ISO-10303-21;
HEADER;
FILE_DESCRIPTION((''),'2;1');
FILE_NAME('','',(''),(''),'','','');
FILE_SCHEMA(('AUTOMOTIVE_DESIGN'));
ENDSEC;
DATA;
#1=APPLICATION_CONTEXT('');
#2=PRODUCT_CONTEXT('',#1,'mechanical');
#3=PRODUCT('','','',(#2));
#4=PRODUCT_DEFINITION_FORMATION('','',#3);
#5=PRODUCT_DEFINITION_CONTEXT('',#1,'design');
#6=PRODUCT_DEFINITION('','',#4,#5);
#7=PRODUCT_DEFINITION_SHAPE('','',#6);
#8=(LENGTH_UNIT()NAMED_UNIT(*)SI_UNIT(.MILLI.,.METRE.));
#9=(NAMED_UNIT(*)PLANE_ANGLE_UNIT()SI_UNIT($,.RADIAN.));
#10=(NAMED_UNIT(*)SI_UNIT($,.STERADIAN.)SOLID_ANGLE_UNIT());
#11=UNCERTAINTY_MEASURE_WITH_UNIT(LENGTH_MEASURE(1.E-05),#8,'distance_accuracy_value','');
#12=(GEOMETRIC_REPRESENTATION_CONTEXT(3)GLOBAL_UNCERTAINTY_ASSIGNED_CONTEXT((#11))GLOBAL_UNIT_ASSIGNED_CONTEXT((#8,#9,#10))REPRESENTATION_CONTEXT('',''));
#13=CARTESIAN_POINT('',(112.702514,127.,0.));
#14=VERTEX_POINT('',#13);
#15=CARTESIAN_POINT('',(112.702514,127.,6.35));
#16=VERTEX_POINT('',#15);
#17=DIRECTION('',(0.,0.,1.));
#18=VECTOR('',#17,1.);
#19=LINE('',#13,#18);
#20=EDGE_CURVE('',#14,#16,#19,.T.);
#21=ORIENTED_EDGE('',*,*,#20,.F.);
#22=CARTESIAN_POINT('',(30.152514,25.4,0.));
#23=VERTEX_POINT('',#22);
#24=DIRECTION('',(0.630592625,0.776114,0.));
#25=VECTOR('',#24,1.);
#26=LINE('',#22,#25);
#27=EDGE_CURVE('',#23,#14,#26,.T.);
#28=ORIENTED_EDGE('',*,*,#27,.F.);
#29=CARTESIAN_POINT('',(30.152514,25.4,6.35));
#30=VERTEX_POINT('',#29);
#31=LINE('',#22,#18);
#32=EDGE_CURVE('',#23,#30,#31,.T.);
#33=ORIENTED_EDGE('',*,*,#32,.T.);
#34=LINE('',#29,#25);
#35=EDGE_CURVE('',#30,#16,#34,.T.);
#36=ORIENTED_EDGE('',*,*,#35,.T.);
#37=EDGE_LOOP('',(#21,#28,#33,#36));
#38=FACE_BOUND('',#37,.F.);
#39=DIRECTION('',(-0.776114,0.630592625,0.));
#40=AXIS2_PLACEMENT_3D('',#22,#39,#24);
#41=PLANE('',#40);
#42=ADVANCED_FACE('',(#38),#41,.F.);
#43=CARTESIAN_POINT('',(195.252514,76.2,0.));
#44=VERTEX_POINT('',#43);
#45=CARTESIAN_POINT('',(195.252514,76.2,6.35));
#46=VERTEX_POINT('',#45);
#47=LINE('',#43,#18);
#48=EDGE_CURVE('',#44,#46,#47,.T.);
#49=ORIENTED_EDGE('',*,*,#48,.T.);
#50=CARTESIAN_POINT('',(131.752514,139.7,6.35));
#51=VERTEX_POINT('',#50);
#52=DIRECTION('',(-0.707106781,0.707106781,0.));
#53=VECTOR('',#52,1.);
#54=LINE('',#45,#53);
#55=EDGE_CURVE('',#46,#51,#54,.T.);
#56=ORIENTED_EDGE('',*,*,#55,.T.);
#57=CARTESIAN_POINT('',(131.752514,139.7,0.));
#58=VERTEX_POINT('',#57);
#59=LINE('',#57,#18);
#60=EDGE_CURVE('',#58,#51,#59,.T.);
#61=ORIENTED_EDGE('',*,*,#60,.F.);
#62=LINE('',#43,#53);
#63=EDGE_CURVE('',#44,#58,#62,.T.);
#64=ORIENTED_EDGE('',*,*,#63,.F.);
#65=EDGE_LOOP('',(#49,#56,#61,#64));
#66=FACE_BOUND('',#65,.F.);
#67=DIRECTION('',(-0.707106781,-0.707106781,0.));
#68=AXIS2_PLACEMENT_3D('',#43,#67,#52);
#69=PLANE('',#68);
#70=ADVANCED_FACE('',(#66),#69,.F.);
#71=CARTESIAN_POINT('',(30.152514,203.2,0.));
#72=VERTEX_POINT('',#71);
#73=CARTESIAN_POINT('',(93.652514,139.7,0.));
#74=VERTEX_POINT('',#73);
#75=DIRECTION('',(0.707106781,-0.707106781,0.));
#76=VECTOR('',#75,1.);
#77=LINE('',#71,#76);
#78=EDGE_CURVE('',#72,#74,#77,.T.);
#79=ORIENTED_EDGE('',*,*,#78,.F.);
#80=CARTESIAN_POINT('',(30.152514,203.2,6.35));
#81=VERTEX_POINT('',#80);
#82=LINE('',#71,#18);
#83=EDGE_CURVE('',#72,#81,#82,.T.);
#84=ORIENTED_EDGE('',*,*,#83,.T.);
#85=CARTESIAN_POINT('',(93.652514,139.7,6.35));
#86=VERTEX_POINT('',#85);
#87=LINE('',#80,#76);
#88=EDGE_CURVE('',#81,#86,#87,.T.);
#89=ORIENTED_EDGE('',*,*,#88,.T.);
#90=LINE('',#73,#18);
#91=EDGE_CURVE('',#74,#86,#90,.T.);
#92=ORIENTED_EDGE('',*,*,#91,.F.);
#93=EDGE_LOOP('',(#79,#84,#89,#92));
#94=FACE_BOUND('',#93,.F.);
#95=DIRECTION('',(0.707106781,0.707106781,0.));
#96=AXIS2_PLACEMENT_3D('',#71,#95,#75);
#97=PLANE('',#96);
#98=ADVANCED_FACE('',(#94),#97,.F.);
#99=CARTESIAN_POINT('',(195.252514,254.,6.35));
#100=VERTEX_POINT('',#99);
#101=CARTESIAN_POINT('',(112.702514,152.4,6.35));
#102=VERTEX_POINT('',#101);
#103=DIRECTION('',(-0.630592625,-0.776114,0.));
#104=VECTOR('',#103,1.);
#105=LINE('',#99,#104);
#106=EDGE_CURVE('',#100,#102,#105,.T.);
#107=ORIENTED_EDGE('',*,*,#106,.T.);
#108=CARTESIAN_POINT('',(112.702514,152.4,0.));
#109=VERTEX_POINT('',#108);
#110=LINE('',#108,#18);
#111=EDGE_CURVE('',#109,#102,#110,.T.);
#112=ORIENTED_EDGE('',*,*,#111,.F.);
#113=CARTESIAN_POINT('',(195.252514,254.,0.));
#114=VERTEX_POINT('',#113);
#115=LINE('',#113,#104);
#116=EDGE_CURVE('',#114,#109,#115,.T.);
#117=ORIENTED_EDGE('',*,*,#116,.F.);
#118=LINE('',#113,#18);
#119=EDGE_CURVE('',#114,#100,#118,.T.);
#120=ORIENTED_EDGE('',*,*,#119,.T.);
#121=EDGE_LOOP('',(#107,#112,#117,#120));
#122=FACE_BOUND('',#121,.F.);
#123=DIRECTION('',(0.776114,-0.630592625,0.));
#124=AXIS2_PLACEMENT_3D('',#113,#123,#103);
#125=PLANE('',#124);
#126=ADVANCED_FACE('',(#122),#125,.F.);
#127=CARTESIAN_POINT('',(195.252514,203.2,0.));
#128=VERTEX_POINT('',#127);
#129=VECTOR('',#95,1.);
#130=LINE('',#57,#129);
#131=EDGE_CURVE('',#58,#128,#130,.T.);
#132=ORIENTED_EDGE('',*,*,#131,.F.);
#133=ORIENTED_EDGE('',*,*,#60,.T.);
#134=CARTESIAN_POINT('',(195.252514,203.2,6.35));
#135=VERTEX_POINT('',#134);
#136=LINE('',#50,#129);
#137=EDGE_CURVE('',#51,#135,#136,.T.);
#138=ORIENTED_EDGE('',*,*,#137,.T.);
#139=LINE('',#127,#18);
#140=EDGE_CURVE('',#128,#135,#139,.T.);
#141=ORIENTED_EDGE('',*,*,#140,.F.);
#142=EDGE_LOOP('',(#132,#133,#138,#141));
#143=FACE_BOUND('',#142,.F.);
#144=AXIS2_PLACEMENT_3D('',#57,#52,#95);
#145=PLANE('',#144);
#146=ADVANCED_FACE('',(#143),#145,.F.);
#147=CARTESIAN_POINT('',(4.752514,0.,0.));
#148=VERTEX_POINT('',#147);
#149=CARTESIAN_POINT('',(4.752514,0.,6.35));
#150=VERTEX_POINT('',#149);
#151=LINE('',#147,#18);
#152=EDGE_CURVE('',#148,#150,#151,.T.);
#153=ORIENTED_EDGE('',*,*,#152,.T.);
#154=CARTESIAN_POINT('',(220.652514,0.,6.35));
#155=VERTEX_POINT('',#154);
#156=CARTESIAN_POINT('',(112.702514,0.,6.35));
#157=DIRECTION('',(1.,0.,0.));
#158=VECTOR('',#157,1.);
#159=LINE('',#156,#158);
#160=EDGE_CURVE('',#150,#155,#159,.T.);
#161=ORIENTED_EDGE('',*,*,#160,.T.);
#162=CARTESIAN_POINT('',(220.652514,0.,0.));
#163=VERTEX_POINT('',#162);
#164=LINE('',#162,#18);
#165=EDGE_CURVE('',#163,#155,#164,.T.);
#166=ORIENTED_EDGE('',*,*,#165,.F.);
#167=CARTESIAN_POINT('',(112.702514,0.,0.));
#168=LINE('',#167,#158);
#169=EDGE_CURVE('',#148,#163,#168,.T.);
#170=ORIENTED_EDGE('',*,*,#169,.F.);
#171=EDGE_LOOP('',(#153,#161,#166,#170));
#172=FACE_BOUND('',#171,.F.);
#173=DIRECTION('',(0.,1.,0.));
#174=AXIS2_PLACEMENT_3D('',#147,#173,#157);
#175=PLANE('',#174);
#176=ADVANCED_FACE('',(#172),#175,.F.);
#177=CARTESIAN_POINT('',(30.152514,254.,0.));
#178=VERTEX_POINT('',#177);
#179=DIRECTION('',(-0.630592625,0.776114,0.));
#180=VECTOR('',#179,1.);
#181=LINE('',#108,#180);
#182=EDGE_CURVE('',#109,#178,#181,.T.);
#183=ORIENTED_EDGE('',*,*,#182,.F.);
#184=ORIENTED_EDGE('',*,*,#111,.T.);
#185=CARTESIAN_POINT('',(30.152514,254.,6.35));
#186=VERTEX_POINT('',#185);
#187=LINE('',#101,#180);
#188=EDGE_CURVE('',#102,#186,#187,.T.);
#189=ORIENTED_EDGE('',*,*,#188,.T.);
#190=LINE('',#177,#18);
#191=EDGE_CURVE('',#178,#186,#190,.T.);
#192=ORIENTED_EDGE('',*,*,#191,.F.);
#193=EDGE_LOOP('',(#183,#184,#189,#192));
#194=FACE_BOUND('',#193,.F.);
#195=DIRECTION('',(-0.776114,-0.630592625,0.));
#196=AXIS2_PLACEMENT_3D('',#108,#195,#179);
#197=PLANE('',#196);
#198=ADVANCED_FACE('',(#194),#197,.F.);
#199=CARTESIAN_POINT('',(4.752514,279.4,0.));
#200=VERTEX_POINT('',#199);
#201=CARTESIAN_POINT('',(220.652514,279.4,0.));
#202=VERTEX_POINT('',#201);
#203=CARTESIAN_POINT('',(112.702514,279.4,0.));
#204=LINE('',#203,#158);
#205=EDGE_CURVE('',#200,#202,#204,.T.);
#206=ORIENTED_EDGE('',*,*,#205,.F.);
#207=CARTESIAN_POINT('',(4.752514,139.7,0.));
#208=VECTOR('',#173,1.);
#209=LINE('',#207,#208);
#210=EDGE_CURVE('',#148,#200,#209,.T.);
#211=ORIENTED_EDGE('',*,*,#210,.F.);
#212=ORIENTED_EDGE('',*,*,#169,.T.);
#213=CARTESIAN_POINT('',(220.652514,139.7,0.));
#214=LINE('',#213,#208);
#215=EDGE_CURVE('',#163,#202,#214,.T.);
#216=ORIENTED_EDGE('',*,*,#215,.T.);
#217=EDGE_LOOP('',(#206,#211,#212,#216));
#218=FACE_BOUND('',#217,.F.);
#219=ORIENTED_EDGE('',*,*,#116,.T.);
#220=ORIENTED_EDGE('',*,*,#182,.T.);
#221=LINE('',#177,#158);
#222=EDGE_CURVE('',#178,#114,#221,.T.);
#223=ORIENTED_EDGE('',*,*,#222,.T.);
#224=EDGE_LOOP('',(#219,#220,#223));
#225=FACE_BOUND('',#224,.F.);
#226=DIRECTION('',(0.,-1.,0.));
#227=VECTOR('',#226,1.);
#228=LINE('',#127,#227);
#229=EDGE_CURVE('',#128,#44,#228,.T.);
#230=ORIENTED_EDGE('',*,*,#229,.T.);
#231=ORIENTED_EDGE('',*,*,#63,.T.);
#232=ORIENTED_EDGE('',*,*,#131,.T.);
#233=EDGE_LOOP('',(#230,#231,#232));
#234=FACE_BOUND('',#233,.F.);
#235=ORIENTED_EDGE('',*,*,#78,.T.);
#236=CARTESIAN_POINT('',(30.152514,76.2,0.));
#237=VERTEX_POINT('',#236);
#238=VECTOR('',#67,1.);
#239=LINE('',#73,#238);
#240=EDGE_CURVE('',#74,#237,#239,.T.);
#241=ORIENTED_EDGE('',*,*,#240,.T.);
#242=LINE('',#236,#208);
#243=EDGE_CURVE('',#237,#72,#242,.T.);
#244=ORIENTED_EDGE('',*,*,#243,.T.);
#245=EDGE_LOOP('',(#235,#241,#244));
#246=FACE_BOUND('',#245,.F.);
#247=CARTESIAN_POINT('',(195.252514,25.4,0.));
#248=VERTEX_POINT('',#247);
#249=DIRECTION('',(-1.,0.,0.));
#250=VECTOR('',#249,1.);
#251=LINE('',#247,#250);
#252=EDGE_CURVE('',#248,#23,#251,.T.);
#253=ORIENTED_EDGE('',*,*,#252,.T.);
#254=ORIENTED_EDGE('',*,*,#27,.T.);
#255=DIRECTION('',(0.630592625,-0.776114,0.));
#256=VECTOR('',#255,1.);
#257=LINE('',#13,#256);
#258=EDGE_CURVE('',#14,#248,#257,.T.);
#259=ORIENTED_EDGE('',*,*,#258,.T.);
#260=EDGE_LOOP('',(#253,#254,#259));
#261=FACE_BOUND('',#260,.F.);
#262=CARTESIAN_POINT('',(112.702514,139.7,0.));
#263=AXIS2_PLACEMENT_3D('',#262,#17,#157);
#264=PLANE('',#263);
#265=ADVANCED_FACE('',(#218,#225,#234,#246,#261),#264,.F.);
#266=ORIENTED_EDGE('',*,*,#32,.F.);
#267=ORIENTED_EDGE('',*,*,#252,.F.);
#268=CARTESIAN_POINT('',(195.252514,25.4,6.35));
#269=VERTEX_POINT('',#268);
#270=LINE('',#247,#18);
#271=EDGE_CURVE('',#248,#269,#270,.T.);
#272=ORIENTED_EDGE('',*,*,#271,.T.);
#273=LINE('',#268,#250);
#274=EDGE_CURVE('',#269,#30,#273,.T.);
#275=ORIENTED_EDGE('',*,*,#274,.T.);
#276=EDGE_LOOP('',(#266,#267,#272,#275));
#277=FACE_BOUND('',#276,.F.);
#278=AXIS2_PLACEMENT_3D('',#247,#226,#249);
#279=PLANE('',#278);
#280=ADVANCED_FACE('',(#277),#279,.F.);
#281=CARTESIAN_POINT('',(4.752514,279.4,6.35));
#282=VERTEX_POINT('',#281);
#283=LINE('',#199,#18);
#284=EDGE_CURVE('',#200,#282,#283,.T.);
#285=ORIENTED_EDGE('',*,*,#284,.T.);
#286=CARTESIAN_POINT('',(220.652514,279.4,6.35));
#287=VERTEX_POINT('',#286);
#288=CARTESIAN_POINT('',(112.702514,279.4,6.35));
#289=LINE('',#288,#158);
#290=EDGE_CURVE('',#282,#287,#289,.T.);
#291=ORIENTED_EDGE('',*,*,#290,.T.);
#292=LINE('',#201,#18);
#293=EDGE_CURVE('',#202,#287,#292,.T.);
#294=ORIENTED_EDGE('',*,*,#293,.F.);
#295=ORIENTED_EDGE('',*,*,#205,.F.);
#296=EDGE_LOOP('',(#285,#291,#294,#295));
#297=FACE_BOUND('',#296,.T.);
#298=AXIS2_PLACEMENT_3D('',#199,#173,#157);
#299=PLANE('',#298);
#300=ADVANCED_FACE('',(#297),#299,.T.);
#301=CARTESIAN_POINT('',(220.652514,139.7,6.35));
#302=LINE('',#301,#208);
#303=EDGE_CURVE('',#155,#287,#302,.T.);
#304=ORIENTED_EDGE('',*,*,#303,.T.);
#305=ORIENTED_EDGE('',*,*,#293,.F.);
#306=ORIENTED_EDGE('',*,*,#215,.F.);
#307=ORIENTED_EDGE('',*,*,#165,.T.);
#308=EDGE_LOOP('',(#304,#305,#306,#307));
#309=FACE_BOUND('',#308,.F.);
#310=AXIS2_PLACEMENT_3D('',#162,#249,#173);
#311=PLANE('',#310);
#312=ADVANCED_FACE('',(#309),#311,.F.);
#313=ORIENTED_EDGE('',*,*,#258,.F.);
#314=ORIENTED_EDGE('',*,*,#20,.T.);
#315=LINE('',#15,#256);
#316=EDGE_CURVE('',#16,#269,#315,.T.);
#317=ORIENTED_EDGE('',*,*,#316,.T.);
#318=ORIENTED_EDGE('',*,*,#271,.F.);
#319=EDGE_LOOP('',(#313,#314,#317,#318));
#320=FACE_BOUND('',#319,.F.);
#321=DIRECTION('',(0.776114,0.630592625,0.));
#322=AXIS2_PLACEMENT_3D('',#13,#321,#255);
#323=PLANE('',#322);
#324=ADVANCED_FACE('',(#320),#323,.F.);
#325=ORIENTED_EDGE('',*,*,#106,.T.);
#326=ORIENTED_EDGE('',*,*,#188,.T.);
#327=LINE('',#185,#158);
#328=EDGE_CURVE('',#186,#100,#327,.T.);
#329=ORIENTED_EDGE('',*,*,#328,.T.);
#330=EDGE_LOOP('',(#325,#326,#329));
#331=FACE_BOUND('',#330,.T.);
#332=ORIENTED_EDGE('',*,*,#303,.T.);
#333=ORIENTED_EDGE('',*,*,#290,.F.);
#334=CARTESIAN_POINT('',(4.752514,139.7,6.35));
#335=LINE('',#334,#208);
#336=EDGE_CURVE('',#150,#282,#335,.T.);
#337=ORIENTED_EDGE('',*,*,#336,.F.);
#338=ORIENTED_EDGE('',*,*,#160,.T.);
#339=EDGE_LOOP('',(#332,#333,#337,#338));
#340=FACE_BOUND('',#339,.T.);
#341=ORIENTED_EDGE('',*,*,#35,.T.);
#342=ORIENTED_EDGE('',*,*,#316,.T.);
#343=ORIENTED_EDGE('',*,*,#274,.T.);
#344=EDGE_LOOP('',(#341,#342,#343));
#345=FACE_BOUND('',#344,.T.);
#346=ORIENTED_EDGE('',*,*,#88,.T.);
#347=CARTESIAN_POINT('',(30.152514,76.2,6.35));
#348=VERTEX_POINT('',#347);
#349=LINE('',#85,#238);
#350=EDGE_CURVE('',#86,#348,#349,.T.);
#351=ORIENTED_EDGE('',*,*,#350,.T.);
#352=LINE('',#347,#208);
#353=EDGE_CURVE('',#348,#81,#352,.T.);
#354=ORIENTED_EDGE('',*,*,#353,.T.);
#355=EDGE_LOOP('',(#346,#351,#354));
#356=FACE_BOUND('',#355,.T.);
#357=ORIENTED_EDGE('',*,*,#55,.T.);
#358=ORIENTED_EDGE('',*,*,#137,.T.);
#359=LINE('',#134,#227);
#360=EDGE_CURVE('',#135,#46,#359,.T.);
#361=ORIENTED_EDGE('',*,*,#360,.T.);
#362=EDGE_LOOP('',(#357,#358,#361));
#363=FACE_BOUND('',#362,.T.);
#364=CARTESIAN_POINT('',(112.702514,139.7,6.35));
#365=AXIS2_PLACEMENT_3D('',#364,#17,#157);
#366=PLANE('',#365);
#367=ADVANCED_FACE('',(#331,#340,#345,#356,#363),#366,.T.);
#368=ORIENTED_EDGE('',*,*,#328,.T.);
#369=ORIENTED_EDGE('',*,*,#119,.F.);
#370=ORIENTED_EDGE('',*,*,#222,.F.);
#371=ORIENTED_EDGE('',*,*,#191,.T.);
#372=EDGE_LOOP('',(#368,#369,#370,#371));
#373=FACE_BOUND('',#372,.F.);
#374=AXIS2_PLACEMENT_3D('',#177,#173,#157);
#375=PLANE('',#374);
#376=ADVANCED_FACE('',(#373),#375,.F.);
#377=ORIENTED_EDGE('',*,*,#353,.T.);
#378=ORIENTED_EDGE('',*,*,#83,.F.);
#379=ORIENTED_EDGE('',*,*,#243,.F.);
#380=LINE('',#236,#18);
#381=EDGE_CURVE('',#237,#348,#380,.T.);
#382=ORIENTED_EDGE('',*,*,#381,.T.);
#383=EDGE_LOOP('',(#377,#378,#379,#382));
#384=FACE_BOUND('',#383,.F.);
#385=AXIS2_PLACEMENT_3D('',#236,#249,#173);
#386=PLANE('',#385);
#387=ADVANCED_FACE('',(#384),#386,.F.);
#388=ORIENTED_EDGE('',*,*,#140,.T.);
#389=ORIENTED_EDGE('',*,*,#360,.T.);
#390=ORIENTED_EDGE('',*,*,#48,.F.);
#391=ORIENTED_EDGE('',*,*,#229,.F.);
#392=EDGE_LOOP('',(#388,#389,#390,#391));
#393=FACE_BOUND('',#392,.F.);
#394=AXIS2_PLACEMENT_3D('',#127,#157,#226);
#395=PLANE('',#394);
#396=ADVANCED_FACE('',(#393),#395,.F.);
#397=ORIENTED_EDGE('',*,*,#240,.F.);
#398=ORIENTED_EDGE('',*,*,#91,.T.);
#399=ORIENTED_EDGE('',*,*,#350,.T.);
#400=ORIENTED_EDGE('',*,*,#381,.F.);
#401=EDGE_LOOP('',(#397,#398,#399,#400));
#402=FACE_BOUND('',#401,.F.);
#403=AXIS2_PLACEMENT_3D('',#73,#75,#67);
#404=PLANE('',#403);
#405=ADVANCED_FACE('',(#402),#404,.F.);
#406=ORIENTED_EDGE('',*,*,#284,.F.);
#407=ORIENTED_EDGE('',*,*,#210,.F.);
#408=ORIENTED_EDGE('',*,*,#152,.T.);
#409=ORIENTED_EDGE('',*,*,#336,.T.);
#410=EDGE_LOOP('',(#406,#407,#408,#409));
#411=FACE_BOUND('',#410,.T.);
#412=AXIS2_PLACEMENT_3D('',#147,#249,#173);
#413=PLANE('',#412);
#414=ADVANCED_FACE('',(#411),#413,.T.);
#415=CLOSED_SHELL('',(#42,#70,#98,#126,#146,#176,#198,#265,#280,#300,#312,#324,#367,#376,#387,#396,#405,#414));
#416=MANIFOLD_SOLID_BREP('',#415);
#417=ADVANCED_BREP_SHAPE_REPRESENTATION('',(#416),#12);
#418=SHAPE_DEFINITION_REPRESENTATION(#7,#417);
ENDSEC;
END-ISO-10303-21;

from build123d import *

# Parameters (mm, degrees)
F0_W     = 215.9
F0_H     = 279.4
F1_DEPTH = 6.35


with BuildPart() as f1:
    # F0 (on Top) → F1 (new body)
    with BuildSketch(Plane.XY):
        with Locations((112.702514, 139.7)):
            Rectangle(F0_W, F0_H)
        Polygon((30.152514, 25.4), (112.702514, 127), (195.252514, 25.4), align=None, mode=Mode.SUBTRACT)
        Polygon((30.152514, 76.2), (30.152514, 203.2), (93.652514, 139.7), align=None, mode=Mode.SUBTRACT)
        Polygon((112.702514, 152.4), (30.152514, 254), (195.252514, 254), align=None, mode=Mode.SUBTRACT)
        Polygon((195.252514, 76.2), (131.752514, 139.7), (195.252514, 203.2), align=None, mode=Mode.SUBTRACT)
    extrude(amount=F1_DEPTH)


solid = f1.part
